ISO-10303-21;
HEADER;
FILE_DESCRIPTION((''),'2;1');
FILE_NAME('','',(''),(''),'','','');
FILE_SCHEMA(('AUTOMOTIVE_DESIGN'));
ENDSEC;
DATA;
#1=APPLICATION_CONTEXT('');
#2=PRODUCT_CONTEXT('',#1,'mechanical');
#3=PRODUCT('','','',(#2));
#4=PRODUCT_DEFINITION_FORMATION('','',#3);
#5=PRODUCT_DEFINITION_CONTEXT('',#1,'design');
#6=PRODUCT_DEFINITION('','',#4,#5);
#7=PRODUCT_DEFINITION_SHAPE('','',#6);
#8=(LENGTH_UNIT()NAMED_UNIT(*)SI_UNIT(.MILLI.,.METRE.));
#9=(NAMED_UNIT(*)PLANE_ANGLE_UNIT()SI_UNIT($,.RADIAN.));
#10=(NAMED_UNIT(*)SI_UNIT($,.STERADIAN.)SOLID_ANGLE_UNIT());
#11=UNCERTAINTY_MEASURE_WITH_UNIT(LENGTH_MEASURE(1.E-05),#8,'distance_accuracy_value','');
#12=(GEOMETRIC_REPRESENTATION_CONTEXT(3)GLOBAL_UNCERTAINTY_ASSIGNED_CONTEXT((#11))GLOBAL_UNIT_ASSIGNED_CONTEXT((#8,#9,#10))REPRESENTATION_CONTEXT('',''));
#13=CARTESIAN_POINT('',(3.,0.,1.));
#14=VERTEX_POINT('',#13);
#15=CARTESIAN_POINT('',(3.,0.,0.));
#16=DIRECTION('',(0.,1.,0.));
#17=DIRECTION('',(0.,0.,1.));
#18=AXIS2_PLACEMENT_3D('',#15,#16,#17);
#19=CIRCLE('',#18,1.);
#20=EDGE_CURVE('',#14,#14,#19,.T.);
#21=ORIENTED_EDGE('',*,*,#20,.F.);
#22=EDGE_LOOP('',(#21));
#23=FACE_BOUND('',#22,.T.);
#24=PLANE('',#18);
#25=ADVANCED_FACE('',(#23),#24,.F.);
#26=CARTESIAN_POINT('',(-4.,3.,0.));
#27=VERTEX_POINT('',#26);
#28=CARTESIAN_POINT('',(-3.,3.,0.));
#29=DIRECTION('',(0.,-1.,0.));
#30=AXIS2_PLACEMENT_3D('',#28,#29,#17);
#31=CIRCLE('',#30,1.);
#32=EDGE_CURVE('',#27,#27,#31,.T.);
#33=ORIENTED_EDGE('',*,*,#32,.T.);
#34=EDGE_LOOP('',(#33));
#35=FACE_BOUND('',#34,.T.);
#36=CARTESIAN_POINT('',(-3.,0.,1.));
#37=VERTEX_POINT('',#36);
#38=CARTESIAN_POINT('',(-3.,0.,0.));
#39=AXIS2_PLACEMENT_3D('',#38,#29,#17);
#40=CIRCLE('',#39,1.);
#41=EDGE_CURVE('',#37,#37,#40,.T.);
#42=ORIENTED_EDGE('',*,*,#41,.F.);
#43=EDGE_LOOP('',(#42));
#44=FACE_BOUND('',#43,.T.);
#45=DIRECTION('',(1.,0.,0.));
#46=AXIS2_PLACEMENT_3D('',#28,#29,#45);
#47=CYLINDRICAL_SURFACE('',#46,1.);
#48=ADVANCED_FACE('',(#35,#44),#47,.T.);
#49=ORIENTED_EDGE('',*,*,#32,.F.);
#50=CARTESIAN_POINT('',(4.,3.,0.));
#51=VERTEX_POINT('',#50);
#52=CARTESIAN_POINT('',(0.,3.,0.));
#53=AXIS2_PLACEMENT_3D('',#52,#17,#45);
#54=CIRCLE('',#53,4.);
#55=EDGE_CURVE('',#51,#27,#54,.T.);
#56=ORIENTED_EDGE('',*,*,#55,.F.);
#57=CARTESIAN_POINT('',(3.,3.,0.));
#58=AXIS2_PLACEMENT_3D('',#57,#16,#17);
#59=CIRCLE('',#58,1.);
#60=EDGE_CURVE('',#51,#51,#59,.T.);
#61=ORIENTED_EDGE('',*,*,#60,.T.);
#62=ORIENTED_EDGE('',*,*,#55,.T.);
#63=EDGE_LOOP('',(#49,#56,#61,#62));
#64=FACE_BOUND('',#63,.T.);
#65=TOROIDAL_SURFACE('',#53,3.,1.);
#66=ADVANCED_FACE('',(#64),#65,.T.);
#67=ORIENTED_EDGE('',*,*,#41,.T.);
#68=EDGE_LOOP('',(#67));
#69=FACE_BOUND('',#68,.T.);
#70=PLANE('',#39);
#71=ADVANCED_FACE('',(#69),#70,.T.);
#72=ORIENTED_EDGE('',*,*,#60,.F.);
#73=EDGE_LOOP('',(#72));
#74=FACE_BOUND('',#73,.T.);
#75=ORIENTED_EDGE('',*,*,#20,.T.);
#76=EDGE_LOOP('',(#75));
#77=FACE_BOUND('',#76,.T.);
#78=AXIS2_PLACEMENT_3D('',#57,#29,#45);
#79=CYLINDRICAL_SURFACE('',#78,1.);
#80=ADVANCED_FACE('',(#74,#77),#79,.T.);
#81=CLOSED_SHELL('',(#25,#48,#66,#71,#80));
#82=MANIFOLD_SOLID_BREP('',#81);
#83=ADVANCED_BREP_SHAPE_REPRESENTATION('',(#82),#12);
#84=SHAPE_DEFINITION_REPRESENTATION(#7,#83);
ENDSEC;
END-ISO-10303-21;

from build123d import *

# Parameters (mm, degrees)
ESQUISSE3_R = 1


with BuildPart() as part:
    # Balayage1: sweep along a path in Esquisse1
    with BuildLine(Plane.XY) as balayage1_path:
        Line((-3, 0), (-3, 3))
        ThreePointArc((-3, 3), (0, 6), (3, 3))
        Line((3, 3), (3, 0))
    # Esquisse3 → Balayage1 (sweep)
    with BuildSketch(Plane(origin=(0, 0, 0), x_dir=(1, 0, 0), z_dir=(0, 1, 0))):
        with Locations((3, 0)):
            Circle(ESQUISSE3_R)
    sweep(path=balayage1_path.line)


solid = part.part
